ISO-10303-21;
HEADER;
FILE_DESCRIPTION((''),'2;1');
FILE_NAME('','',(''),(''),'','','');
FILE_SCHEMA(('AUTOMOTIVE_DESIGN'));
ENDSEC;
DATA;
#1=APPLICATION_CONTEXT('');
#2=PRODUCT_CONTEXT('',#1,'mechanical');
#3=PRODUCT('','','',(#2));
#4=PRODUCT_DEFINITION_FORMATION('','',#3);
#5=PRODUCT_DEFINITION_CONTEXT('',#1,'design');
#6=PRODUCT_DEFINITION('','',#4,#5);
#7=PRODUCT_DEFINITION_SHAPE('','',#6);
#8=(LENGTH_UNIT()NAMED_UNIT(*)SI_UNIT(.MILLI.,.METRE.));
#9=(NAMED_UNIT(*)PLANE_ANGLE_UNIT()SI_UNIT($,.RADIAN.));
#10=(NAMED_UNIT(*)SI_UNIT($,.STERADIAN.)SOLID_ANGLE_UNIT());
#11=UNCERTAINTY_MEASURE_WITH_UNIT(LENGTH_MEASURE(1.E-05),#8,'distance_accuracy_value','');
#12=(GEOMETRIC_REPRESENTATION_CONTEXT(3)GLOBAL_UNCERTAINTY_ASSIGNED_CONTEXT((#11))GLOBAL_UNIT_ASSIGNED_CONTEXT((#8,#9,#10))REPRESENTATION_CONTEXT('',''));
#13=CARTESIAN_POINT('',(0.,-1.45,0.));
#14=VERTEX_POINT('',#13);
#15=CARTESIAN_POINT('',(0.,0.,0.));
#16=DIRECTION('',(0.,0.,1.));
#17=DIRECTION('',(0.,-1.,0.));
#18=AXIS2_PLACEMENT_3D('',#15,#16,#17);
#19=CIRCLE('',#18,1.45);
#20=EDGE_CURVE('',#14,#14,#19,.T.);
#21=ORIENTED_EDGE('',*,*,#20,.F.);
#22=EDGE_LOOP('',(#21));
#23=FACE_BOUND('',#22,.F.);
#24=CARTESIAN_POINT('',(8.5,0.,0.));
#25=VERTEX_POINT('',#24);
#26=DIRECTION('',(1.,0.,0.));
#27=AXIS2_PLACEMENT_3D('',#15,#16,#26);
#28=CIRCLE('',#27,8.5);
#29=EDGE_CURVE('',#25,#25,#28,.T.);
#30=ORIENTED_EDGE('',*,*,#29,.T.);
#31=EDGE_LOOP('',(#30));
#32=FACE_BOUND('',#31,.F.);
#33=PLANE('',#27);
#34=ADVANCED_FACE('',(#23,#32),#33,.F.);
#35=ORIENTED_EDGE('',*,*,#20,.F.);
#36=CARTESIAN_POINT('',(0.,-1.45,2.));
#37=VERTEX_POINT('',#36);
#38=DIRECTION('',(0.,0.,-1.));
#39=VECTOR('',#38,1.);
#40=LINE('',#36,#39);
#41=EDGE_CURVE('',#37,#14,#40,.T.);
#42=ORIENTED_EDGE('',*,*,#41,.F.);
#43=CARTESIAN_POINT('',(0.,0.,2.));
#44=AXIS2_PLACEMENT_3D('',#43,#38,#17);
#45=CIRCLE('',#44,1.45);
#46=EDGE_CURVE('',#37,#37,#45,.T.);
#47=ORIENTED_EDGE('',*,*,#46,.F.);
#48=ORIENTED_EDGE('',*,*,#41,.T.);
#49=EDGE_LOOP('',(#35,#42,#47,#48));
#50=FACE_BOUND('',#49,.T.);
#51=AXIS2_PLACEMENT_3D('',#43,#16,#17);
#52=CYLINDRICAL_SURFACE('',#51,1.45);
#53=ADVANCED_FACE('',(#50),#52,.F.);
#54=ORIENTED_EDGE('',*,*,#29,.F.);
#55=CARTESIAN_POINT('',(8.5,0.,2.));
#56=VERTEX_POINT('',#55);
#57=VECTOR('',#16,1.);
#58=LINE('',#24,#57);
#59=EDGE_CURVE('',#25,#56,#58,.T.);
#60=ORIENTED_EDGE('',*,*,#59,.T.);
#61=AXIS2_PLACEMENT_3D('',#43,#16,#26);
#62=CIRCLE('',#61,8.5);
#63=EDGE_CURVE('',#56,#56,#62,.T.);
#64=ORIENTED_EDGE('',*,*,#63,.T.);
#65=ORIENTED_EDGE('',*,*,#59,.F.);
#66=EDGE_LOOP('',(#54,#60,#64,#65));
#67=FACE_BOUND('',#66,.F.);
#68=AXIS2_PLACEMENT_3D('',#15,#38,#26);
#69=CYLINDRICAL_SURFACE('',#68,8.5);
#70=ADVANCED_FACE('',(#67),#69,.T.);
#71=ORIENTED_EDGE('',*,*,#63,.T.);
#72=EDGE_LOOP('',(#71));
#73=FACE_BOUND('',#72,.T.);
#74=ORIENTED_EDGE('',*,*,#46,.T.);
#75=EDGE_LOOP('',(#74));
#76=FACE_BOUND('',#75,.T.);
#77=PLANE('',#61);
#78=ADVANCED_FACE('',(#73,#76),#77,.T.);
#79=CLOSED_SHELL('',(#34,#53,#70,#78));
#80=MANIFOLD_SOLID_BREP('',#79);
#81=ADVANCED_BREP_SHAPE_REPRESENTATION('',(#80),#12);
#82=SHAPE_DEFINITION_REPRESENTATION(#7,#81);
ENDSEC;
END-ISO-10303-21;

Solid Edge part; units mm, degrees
sketch "Sketch1" plane through (0, 0, 0) normal (0, 0, 1) x (1, 0, 0)
  circle A0 centre (0, 0) radius 8.5
extrude "Protrusion1" add sketch "Sketch1" along normal blind 2
hole "Bohrung_1" at (0, 0, 2) direction (0, 0, -1) diameter 2.9 end through all
